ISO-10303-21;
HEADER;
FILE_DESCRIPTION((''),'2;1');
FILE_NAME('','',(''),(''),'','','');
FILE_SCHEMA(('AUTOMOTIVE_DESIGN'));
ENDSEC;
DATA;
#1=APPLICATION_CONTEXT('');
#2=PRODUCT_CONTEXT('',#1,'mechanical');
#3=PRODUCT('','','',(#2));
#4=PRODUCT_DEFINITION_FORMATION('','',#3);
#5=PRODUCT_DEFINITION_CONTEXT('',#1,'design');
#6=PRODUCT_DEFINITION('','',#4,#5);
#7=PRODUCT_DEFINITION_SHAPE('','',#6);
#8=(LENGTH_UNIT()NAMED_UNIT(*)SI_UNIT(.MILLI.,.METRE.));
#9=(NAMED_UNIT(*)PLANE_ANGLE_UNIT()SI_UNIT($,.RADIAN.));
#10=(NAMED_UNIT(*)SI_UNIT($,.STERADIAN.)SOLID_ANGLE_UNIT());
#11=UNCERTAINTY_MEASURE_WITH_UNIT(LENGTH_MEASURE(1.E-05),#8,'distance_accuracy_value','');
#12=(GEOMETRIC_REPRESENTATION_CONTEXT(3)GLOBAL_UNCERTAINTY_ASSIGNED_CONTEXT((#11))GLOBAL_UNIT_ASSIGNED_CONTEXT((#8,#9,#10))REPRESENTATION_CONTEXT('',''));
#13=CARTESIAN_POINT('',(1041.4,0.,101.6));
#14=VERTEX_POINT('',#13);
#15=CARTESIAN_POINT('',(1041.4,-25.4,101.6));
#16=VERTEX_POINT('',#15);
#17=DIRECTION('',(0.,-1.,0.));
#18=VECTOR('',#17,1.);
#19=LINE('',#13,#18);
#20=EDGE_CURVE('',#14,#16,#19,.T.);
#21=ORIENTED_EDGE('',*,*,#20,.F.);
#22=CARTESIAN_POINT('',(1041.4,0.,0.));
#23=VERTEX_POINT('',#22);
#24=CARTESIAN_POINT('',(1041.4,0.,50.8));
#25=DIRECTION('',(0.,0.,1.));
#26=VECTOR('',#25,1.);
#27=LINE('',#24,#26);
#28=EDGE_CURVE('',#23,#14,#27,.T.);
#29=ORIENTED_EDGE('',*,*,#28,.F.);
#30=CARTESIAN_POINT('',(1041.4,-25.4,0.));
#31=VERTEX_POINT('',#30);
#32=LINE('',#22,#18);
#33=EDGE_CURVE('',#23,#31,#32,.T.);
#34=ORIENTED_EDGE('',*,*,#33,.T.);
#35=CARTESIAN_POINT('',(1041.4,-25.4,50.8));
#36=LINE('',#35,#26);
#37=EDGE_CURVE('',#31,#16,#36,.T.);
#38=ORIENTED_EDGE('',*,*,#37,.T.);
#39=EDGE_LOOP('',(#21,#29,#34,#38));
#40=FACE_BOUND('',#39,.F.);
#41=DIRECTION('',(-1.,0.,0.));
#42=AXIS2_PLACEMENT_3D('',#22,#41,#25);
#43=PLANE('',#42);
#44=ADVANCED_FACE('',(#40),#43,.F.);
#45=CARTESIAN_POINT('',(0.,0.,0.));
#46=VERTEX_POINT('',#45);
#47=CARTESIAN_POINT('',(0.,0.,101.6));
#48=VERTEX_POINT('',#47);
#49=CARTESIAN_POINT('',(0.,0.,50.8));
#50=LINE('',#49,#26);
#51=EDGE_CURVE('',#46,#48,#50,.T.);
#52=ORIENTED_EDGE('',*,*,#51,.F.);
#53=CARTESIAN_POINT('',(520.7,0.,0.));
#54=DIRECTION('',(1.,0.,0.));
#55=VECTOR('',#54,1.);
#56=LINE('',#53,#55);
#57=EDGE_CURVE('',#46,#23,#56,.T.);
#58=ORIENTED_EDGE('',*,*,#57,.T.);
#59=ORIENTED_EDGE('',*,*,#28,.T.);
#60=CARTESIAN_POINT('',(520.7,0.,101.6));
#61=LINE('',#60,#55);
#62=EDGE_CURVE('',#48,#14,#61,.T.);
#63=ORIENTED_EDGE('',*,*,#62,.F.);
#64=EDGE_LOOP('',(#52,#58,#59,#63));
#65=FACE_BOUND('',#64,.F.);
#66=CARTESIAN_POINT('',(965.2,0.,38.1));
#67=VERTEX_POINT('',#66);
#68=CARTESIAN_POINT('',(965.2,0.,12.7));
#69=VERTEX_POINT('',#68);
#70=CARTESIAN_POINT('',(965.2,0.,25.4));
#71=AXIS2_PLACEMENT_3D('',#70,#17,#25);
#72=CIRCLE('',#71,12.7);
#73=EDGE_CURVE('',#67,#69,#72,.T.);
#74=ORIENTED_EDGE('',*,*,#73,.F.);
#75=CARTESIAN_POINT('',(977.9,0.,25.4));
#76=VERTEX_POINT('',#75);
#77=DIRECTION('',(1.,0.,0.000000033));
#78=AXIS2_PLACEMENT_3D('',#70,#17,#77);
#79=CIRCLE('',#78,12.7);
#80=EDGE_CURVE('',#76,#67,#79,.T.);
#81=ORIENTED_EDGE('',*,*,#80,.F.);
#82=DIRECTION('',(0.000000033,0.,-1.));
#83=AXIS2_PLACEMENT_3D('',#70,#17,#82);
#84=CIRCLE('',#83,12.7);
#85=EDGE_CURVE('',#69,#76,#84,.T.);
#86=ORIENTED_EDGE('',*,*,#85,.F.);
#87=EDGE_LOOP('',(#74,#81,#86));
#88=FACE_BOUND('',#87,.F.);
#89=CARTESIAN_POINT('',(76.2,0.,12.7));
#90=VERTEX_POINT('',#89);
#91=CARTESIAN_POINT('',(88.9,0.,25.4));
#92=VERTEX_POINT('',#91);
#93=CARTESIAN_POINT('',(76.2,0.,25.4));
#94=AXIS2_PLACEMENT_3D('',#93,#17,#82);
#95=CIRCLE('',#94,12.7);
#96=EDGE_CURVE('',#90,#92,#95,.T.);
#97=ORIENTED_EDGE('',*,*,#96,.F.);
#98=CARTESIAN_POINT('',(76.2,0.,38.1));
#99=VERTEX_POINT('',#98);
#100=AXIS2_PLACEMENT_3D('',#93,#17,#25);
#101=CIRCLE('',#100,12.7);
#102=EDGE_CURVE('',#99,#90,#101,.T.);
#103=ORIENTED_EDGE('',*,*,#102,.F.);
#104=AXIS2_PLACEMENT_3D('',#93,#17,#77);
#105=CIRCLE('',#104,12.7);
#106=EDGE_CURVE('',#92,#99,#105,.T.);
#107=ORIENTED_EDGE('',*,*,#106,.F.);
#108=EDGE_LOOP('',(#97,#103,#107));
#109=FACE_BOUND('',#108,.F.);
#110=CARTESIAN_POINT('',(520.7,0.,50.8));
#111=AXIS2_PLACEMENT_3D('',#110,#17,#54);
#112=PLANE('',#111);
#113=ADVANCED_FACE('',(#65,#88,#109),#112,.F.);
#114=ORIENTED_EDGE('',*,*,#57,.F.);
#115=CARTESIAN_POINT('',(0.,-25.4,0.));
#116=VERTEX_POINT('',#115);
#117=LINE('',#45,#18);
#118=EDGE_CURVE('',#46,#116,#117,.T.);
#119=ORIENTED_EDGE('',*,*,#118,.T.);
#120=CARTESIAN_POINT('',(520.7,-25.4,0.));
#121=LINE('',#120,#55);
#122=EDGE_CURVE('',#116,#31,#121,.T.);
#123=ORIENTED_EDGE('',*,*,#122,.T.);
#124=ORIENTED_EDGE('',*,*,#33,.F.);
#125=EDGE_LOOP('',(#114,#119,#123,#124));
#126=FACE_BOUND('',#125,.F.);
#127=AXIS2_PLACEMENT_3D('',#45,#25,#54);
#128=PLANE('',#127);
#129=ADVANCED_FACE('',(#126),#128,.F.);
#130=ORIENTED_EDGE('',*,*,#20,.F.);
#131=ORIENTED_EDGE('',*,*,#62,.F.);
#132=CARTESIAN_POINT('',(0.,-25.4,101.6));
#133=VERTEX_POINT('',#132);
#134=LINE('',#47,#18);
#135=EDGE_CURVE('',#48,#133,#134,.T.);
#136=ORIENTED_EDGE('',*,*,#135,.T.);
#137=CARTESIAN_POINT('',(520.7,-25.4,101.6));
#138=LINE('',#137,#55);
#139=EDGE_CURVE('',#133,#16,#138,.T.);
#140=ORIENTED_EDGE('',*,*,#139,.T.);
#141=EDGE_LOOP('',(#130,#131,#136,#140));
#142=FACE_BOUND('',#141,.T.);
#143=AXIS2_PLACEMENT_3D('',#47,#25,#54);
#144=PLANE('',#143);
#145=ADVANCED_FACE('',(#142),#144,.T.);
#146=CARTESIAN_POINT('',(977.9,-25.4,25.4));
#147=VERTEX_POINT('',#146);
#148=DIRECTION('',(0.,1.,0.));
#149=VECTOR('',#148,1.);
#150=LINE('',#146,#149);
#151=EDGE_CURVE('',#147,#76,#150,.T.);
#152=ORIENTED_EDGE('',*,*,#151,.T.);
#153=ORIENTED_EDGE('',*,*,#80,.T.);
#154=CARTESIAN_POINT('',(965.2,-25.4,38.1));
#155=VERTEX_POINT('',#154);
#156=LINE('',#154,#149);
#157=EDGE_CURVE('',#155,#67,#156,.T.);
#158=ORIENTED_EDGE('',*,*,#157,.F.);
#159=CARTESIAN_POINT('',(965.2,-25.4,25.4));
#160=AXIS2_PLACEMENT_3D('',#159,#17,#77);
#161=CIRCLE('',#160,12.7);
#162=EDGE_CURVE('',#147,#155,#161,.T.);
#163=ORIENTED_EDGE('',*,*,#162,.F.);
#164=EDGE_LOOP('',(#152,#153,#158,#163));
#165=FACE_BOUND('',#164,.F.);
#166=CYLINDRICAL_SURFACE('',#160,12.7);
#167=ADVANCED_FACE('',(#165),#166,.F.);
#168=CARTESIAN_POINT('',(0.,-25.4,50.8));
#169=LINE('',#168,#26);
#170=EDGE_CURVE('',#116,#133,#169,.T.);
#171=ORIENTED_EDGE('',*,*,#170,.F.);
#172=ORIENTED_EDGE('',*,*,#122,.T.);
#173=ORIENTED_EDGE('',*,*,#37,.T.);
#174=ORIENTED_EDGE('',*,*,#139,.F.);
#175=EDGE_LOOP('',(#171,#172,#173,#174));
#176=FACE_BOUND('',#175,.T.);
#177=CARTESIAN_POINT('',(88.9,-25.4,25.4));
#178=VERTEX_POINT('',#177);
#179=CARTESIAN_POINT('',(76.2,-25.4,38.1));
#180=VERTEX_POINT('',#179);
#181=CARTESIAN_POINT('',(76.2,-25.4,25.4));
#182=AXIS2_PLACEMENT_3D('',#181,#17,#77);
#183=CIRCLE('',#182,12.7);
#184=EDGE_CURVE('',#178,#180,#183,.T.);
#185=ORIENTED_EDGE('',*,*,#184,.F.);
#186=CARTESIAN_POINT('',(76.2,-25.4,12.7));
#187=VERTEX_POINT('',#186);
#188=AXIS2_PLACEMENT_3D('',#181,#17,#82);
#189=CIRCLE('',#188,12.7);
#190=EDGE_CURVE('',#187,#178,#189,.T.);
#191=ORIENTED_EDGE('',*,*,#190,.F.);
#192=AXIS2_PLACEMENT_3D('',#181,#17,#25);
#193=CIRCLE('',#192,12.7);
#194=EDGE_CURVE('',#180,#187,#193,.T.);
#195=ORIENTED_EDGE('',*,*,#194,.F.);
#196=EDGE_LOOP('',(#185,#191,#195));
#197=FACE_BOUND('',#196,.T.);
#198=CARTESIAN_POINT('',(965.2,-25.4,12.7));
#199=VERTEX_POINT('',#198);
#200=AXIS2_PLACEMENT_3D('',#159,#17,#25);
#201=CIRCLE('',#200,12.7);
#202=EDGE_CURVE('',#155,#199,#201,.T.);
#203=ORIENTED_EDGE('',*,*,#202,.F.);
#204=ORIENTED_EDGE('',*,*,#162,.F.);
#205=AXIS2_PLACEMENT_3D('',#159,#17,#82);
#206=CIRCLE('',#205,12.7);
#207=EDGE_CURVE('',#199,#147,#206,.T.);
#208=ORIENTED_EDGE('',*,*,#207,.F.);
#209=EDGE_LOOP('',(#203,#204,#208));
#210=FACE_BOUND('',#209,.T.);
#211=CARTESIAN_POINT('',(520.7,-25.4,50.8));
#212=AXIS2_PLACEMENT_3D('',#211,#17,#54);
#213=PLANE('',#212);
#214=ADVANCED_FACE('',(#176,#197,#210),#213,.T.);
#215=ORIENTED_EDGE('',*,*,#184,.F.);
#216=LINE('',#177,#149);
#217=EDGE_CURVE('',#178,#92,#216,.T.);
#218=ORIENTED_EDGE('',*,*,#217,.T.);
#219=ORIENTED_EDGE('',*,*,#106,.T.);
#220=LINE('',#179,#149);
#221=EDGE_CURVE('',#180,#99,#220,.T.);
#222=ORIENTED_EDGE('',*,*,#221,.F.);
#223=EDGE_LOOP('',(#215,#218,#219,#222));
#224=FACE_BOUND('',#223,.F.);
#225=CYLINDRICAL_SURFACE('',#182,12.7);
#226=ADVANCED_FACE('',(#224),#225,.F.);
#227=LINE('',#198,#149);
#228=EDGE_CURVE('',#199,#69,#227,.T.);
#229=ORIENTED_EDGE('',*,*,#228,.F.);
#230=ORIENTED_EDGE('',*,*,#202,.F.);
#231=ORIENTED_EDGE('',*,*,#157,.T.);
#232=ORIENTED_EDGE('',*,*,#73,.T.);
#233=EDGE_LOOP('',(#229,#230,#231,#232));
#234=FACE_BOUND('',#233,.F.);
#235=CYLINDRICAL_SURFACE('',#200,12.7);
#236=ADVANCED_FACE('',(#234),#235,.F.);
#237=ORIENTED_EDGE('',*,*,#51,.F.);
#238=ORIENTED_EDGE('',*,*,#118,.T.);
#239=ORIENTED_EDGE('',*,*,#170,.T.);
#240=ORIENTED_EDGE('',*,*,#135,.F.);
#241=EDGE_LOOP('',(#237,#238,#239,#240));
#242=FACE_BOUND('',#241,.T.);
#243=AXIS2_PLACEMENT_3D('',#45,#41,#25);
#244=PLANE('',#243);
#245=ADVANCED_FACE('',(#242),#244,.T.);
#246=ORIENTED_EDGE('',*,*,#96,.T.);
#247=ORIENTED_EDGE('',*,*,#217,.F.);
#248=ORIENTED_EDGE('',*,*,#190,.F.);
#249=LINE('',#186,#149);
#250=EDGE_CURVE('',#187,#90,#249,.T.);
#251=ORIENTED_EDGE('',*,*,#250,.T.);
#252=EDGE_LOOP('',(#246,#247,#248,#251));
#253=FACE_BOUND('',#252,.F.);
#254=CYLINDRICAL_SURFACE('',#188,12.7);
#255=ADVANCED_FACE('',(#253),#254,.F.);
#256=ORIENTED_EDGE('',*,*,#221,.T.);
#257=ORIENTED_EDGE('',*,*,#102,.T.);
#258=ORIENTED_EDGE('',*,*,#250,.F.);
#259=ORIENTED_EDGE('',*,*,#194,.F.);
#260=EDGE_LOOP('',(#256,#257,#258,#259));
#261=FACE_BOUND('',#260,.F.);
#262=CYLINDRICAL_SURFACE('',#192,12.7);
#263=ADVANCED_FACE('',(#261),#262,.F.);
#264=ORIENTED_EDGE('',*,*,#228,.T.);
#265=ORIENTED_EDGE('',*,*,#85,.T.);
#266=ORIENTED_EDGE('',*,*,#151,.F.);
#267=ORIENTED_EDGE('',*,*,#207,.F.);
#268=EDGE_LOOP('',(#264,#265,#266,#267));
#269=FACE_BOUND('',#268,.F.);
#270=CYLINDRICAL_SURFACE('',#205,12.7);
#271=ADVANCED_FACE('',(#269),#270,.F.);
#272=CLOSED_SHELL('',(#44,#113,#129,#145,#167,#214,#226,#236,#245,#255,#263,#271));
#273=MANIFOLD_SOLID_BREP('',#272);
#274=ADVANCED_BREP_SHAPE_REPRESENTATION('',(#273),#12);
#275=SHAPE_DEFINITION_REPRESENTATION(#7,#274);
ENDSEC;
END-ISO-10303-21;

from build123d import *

# Parameters (mm, degrees)
F0_W     = 1041.4
F0_H     = 101.6
F1_DEPTH = 25.4
F3_DEPTH = 25.401


with BuildPart() as f1:
    # F0 (on Front) → F1 (new body)
    with BuildSketch(Plane.XZ):
        with Locations((520.7, 50.8)):
            Rectangle(F0_W, F0_H)
    extrude(amount=F1_DEPTH)

    # F2 (on face) → F3 (cut, through all)
    with BuildSketch(Plane.XZ.offset(25.4)):
        with BuildLine():
            ThreePointArc((88.9, 25.4), (85.180256, 34.380256), (76.2, 38.1))
            Line((76.2, 38.1), (76.2, 12.7))
            ThreePointArc((76.2, 12.7), (85.180256, 16.419744), (88.9, 25.4))
        make_face()
        with BuildLine():
            Line((76.2, 12.7), (76.2, 38.1))
            ThreePointArc((76.2, 38.1), (63.5, 25.4), (76.2, 12.7))
        make_face()
        with BuildLine():
            ThreePointArc((977.9, 25.4), (974.180256, 34.380256), (965.2, 38.1))
            Line((965.2, 38.1), (965.2, 12.7))
            ThreePointArc((965.2, 12.7), (974.180256, 16.419744), (977.9, 25.4))
        make_face()
        with BuildLine():
            Line((965.2, 12.7), (965.2, 38.1))
            ThreePointArc((965.2, 38.1), (952.5, 25.4), (965.2, 12.7))
        make_face()
    extrude(amount=-F3_DEPTH, mode=Mode.SUBTRACT)


solid = f1.part
